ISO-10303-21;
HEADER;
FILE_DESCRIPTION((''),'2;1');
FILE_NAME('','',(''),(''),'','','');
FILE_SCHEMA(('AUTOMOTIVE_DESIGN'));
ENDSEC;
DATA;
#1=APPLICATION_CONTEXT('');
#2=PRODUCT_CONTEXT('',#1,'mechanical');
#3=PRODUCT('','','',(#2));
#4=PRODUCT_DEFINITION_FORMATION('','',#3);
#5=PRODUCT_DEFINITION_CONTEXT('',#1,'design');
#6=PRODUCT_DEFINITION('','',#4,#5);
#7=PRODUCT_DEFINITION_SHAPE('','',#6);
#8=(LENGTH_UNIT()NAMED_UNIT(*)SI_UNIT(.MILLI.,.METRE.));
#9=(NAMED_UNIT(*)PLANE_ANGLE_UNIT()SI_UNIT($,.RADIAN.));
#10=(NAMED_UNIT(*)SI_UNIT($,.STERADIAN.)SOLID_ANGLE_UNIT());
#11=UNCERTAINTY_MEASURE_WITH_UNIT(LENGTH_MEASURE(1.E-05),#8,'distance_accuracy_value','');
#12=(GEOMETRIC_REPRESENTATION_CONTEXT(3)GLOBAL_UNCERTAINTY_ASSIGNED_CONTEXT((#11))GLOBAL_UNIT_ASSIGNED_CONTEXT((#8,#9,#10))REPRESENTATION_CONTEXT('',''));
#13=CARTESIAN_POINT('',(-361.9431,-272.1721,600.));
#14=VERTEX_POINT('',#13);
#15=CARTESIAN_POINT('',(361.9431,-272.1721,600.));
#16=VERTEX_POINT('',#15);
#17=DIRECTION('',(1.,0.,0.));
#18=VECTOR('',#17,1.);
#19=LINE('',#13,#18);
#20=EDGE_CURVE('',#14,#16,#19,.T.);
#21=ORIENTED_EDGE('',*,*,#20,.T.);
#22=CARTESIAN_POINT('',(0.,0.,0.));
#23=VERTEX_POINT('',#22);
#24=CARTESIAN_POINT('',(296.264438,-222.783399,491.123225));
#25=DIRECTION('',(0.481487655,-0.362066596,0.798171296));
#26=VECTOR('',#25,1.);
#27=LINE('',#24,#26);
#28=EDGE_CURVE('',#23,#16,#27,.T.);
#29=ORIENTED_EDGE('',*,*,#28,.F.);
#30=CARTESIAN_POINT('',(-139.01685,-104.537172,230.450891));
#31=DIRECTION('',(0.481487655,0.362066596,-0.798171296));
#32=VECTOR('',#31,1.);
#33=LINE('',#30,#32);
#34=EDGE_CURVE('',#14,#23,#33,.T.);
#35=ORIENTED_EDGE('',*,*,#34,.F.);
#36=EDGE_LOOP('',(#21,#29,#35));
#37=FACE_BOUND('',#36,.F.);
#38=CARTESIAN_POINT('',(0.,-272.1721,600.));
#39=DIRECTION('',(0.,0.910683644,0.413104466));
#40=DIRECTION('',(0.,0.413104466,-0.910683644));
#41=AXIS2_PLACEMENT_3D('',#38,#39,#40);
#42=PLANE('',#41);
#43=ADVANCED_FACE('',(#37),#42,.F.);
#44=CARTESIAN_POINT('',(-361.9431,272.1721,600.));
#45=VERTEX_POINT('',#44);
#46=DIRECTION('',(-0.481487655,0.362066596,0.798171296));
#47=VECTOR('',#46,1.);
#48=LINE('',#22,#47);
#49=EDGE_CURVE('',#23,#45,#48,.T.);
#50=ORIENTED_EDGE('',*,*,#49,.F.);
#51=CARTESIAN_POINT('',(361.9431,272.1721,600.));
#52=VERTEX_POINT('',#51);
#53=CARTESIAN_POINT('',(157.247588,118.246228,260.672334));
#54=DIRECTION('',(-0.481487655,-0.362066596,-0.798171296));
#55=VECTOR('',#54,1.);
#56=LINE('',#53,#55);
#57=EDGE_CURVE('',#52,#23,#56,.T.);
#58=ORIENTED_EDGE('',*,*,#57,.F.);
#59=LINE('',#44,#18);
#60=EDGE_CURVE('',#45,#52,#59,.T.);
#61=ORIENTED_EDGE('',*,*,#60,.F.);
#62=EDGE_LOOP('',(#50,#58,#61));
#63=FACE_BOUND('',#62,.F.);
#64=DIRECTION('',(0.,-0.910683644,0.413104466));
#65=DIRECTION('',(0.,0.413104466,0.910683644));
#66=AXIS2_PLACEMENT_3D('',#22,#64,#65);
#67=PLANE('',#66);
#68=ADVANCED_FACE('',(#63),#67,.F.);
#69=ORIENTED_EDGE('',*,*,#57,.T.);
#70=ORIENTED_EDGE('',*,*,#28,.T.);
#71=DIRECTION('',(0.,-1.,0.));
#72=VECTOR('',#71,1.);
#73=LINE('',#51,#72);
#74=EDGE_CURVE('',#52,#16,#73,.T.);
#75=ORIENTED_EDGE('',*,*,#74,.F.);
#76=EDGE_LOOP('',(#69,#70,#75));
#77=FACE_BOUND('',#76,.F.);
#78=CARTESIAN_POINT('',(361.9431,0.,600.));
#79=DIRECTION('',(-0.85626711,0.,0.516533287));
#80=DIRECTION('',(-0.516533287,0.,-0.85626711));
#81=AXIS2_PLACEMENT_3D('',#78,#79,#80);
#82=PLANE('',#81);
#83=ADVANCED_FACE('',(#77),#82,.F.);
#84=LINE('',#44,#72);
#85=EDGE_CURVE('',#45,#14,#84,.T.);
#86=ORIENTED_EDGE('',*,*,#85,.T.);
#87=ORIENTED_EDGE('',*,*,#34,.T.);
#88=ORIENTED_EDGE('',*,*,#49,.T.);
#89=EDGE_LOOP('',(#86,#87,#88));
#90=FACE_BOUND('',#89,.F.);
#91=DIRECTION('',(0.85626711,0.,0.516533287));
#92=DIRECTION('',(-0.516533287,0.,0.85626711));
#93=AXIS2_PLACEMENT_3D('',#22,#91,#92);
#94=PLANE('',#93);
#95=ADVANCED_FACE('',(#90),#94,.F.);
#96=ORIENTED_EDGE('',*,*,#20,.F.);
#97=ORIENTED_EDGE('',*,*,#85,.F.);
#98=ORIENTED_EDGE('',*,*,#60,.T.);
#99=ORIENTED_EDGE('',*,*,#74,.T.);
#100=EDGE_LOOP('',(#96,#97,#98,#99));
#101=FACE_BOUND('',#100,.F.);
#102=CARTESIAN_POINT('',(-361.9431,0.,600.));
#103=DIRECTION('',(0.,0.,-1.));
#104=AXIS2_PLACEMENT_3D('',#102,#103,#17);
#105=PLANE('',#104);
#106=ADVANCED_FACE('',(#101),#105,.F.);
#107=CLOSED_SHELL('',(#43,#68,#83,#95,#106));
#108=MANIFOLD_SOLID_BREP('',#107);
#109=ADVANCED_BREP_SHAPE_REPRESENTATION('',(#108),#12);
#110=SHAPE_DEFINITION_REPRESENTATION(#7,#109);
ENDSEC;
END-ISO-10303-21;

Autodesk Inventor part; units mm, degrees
ref_plane "YZ Plane" through (0, 0, 0) normal (1, 0, 0) x (0, 1, 0)
ref_plane "XZ Plane" through (0, 0, 0) normal (0, 1, 0) x (-1, 0, 0)
ref_plane "XY Plane" through (0, 0, 0) normal (0, 0, 1) x (1, 0, 0)
sketch "Skizze1" plane through (0, 0, 0) normal (1, 0, 0) x (0, 1, 0)
  line L0 (0, 0) -> (272.1721, 600)
  line L1 (272.1721, 600) -> (-272.1721, 600)
  line L2 (-272.1721, 600) -> (0, 0)
  line L3 (0, 600) -> (0, 0) construction
  dimension "d0" = 48.8
  dimension "d1" = 600
sketch "Skizze2" plane through (0, 0, 0) normal (0, 1, 0) x (-1, 0, 0)
  line L0 (0, 0) -> (361.9431, 600)
  line L1 (361.9431, 600) -> (-361.9431, 600)
  line L2 (-361.9431, 600) -> (0, 0)
  line L3 (0, 600) -> (0, 0) construction
  dimension "d2" = 62.2
  dimension "d3" = 600
extrude "Extrusion1" add sketch "Skizze1" along normal mid plane 800
extrude "Extrusion2" cut sketch "Skizze2" along normal through all both and the other way through all keep common part
properties part number "Camera-Viewcone" material "Polycarbonat, klar"
